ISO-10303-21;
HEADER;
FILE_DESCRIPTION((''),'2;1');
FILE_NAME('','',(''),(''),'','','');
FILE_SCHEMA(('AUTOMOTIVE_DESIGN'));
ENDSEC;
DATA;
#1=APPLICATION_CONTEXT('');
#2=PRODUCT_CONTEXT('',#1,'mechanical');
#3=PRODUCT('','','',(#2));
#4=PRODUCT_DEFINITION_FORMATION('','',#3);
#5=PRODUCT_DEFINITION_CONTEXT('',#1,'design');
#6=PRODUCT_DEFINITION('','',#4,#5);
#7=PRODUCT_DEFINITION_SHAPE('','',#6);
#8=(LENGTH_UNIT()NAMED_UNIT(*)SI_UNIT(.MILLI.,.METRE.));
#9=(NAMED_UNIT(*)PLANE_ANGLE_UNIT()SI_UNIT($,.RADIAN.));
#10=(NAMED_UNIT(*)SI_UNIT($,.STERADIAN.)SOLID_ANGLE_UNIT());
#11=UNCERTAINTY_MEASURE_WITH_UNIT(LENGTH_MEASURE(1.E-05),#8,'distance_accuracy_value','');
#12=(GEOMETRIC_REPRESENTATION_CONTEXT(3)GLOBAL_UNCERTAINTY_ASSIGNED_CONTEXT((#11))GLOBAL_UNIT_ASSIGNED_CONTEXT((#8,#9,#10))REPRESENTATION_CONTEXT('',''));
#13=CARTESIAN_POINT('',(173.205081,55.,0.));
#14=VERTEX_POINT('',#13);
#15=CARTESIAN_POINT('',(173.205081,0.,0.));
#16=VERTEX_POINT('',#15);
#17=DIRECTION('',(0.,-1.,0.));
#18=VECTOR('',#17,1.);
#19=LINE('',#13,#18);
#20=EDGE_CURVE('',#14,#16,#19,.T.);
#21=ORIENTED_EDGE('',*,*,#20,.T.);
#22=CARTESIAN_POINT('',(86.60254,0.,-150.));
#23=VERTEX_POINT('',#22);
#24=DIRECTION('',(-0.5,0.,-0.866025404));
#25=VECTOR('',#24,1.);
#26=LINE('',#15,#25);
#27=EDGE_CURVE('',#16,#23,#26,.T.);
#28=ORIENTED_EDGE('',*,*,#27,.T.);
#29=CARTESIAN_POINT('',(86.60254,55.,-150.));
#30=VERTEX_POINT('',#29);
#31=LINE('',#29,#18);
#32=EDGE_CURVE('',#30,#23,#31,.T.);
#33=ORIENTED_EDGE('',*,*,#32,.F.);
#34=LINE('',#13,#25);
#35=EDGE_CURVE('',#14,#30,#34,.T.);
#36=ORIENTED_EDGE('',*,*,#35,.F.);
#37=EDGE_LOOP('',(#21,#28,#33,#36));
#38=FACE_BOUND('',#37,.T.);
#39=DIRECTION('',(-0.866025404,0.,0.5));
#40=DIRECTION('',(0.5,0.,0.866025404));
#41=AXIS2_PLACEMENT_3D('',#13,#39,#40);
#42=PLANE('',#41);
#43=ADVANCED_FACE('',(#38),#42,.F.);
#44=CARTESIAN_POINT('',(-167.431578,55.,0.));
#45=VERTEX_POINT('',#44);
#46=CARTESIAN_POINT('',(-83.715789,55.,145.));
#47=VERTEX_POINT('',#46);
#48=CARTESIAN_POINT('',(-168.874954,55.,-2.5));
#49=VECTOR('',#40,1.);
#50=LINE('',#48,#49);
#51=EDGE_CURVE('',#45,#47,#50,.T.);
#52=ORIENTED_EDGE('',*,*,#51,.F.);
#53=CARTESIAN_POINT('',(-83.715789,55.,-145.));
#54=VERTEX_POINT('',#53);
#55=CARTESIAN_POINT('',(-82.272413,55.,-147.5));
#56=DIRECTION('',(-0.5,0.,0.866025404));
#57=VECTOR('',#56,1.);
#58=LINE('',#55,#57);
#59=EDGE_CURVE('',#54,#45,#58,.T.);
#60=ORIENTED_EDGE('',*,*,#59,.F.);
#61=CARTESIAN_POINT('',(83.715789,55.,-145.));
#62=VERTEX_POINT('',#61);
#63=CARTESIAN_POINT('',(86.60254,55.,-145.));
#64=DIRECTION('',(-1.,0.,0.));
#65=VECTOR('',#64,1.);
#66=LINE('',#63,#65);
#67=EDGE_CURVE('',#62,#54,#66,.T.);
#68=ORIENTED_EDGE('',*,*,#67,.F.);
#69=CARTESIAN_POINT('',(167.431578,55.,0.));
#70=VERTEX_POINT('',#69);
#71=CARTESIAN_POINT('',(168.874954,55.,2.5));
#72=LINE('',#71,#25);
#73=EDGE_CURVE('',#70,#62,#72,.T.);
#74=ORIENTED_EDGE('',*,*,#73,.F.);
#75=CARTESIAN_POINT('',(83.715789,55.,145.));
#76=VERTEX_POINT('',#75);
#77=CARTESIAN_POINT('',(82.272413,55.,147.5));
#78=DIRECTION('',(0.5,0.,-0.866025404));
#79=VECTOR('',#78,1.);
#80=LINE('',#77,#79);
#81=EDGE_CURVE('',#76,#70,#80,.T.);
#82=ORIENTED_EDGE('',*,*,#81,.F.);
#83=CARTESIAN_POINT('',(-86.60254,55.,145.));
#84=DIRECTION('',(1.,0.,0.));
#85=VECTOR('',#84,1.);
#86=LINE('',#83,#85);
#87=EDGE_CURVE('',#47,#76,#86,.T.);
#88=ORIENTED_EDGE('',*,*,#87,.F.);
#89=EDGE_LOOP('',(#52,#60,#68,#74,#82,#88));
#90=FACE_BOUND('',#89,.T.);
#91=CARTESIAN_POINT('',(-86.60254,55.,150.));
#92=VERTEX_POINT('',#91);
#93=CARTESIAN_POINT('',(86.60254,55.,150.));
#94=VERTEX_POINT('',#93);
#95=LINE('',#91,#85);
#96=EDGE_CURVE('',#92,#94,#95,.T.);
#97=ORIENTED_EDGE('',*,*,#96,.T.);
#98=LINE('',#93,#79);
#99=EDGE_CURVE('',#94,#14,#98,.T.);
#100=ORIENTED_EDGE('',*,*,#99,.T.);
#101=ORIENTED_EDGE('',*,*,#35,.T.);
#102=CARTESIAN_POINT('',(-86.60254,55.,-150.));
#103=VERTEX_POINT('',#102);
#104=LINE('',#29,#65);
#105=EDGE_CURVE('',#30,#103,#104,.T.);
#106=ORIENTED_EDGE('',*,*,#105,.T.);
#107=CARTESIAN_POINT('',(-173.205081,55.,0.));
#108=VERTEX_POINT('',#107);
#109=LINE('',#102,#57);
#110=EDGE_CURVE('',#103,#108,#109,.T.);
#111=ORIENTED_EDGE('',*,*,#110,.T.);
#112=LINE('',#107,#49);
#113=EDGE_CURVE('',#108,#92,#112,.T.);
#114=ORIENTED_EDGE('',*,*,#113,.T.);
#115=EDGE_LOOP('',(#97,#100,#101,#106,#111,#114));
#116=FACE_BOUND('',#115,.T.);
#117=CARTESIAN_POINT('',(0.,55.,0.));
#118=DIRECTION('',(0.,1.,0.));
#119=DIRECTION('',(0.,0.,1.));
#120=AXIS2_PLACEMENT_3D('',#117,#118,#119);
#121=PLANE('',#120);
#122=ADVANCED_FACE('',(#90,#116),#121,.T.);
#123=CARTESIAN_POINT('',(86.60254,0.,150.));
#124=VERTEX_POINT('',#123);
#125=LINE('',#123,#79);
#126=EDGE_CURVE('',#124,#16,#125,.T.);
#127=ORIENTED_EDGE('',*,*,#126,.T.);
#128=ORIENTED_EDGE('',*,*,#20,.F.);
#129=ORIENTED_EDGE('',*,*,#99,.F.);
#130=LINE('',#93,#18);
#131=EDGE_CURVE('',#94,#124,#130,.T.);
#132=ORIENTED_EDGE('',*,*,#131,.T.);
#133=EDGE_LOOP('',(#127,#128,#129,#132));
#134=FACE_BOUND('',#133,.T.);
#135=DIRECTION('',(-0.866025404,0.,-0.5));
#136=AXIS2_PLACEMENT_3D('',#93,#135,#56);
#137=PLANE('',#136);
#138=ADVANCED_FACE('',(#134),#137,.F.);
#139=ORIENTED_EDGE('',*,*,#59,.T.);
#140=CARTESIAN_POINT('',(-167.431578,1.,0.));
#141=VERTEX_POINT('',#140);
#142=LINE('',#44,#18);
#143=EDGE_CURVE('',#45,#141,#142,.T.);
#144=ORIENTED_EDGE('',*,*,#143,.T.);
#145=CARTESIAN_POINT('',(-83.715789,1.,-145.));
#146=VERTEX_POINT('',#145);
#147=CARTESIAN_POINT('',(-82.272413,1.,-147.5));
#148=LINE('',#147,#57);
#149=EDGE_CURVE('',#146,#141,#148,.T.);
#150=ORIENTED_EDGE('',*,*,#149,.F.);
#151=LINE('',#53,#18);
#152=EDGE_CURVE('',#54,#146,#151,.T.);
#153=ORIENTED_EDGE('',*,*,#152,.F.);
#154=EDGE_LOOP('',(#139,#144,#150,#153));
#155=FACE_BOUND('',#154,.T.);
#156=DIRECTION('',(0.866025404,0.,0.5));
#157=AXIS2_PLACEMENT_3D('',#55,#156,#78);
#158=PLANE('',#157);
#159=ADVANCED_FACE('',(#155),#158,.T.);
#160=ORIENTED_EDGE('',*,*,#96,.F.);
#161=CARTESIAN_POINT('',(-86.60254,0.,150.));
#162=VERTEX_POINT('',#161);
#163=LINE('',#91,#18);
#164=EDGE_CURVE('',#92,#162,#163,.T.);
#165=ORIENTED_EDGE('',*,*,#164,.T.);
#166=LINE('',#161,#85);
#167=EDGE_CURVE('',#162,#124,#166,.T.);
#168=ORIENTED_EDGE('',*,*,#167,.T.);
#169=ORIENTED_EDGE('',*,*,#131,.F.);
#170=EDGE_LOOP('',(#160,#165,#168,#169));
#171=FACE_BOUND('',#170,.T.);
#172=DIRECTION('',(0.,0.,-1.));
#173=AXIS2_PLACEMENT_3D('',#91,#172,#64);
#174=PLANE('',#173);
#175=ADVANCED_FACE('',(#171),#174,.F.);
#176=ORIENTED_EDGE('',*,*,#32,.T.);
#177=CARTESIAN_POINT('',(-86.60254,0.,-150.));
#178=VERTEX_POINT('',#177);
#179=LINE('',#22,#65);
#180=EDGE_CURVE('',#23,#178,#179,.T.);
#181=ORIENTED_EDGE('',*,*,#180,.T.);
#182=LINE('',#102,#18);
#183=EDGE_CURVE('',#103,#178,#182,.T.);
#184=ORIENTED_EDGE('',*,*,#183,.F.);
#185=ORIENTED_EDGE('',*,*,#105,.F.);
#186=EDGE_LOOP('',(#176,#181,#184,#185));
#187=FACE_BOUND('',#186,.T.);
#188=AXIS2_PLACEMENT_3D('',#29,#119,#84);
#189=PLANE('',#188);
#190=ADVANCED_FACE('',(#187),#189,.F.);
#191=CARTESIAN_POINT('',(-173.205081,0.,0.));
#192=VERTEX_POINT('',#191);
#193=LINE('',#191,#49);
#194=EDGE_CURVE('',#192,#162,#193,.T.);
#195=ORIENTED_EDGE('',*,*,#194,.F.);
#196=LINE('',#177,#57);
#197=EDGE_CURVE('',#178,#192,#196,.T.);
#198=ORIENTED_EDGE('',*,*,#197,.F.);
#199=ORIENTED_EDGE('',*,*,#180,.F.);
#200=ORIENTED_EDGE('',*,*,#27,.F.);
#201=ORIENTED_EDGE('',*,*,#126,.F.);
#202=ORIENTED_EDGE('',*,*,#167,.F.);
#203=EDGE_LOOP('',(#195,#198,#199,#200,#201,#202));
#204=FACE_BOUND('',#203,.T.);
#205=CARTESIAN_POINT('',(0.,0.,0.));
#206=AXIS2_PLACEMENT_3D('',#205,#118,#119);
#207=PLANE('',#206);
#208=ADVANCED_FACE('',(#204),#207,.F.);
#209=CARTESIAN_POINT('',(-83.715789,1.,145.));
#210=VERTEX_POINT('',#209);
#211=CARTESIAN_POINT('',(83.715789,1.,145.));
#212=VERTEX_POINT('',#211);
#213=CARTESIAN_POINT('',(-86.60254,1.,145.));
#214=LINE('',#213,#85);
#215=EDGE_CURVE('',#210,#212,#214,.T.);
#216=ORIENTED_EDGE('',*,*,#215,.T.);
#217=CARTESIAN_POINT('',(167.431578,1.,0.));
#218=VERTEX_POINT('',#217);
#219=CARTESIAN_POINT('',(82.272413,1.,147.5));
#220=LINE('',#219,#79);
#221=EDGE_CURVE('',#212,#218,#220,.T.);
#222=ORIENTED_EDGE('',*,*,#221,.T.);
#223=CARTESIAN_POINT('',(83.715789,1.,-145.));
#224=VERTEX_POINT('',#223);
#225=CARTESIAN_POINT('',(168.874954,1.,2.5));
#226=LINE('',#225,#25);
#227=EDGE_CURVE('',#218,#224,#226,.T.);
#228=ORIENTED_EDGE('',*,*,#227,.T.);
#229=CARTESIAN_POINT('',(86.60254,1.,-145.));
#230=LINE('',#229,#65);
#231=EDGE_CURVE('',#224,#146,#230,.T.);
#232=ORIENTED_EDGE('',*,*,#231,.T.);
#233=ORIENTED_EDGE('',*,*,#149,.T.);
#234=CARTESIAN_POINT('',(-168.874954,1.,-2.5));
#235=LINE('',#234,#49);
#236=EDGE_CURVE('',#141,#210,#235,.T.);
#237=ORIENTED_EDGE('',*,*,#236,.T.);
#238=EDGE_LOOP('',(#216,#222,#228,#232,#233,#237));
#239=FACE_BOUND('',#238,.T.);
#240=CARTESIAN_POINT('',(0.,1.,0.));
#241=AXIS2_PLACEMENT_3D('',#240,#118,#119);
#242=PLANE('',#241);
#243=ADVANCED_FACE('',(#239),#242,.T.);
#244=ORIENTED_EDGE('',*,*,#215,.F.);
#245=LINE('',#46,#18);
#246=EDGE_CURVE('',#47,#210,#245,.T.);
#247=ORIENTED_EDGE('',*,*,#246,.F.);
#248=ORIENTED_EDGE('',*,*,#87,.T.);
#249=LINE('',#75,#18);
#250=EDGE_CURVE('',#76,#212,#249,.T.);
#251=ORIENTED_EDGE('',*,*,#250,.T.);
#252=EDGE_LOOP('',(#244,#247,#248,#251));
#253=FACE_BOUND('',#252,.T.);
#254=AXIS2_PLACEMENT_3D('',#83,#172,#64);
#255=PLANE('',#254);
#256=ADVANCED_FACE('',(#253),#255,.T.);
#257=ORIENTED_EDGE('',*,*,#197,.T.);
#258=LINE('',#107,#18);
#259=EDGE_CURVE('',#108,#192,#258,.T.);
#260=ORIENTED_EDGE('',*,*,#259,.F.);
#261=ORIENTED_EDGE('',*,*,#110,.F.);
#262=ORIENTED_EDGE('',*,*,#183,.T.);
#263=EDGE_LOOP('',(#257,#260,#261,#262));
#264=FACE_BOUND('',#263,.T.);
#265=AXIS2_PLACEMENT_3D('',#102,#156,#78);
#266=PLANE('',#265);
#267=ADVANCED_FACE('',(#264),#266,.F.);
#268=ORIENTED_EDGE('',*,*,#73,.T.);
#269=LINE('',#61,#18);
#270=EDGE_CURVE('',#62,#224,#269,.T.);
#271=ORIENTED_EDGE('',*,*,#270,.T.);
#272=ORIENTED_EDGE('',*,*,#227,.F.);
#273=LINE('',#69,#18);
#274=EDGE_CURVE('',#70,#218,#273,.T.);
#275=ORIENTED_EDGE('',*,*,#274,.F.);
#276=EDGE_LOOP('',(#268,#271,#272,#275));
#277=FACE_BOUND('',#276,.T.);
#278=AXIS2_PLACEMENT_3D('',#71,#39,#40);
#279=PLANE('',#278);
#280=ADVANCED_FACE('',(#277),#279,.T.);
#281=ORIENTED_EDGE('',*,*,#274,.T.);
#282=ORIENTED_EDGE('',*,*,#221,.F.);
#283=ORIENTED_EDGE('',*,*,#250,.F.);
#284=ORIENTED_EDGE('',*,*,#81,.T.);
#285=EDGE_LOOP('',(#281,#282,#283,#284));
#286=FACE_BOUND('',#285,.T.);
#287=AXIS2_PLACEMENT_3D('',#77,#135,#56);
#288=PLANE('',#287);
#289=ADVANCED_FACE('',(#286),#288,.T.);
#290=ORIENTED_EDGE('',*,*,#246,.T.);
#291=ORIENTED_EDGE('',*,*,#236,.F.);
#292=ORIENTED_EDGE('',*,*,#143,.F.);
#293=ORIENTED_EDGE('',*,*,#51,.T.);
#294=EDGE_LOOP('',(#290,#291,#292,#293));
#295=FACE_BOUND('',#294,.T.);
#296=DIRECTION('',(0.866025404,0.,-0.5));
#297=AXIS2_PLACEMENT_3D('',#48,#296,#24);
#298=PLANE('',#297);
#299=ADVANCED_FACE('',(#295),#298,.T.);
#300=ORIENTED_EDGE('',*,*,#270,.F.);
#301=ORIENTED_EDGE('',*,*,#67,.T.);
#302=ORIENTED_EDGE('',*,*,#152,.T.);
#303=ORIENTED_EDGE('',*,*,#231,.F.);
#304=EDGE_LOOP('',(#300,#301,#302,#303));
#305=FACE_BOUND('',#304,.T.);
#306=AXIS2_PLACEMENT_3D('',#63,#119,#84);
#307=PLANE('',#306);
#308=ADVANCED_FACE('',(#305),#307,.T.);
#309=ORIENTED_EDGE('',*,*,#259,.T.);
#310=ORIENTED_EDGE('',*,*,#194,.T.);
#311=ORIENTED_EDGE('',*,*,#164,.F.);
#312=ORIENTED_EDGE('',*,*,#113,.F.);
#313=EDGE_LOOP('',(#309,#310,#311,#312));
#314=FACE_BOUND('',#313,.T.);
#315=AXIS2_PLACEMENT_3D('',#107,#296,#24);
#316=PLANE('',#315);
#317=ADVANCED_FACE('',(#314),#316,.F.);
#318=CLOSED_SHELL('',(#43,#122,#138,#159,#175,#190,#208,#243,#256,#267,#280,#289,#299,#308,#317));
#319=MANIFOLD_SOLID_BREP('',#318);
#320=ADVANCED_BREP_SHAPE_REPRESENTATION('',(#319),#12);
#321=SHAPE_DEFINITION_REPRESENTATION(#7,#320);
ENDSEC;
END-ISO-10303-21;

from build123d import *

# Parameters (mm, degrees)
BOSS_EXTRUDE1_DEPTH      = 55
SHELL1_T                 = -5
SHELL1_THICKNESS_2_DEPTH = 4


with BuildPart() as part:
    # Sketch1 → Boss-Extrude1 (new body)
    with BuildSketch(Plane(origin=(0, 0, 0), x_dir=(1, 0, 0), z_dir=(0, 1, 0))):
        Polygon((173.205080757, 0), (86.602540378, 150), (-86.602540378, 150), (-173.205080757, 0), (-86.602540378, -150), (86.602540378, -150), align=None)
    extrude(amount=BOSS_EXTRUDE1_DEPTH)

    # Shell1
    shell1_openings = [part.faces().sort_by_distance(p)[0] for p in [
        (0, 55, 0),
    ]]
    offset(amount=SHELL1_T, openings=shell1_openings, kind=Kind.INTERSECTION)

    # Shell1 thickness 2 face (on inner face of the shell) → Shell1 thickness 2 (cut)
    with BuildSketch(Plane(origin=(0, 5, 0), x_dir=(0, 0, -1), z_dir=(0, -1, 0))):
        Polygon((-145, 83.715789032), (0, 167.431578065), (145, 83.715789032), (145, -83.715789032), (0, -167.431578065), (-145, -83.715789032), align=None)
    extrude(amount=SHELL1_THICKNESS_2_DEPTH, mode=Mode.SUBTRACT)


solid = part.part
